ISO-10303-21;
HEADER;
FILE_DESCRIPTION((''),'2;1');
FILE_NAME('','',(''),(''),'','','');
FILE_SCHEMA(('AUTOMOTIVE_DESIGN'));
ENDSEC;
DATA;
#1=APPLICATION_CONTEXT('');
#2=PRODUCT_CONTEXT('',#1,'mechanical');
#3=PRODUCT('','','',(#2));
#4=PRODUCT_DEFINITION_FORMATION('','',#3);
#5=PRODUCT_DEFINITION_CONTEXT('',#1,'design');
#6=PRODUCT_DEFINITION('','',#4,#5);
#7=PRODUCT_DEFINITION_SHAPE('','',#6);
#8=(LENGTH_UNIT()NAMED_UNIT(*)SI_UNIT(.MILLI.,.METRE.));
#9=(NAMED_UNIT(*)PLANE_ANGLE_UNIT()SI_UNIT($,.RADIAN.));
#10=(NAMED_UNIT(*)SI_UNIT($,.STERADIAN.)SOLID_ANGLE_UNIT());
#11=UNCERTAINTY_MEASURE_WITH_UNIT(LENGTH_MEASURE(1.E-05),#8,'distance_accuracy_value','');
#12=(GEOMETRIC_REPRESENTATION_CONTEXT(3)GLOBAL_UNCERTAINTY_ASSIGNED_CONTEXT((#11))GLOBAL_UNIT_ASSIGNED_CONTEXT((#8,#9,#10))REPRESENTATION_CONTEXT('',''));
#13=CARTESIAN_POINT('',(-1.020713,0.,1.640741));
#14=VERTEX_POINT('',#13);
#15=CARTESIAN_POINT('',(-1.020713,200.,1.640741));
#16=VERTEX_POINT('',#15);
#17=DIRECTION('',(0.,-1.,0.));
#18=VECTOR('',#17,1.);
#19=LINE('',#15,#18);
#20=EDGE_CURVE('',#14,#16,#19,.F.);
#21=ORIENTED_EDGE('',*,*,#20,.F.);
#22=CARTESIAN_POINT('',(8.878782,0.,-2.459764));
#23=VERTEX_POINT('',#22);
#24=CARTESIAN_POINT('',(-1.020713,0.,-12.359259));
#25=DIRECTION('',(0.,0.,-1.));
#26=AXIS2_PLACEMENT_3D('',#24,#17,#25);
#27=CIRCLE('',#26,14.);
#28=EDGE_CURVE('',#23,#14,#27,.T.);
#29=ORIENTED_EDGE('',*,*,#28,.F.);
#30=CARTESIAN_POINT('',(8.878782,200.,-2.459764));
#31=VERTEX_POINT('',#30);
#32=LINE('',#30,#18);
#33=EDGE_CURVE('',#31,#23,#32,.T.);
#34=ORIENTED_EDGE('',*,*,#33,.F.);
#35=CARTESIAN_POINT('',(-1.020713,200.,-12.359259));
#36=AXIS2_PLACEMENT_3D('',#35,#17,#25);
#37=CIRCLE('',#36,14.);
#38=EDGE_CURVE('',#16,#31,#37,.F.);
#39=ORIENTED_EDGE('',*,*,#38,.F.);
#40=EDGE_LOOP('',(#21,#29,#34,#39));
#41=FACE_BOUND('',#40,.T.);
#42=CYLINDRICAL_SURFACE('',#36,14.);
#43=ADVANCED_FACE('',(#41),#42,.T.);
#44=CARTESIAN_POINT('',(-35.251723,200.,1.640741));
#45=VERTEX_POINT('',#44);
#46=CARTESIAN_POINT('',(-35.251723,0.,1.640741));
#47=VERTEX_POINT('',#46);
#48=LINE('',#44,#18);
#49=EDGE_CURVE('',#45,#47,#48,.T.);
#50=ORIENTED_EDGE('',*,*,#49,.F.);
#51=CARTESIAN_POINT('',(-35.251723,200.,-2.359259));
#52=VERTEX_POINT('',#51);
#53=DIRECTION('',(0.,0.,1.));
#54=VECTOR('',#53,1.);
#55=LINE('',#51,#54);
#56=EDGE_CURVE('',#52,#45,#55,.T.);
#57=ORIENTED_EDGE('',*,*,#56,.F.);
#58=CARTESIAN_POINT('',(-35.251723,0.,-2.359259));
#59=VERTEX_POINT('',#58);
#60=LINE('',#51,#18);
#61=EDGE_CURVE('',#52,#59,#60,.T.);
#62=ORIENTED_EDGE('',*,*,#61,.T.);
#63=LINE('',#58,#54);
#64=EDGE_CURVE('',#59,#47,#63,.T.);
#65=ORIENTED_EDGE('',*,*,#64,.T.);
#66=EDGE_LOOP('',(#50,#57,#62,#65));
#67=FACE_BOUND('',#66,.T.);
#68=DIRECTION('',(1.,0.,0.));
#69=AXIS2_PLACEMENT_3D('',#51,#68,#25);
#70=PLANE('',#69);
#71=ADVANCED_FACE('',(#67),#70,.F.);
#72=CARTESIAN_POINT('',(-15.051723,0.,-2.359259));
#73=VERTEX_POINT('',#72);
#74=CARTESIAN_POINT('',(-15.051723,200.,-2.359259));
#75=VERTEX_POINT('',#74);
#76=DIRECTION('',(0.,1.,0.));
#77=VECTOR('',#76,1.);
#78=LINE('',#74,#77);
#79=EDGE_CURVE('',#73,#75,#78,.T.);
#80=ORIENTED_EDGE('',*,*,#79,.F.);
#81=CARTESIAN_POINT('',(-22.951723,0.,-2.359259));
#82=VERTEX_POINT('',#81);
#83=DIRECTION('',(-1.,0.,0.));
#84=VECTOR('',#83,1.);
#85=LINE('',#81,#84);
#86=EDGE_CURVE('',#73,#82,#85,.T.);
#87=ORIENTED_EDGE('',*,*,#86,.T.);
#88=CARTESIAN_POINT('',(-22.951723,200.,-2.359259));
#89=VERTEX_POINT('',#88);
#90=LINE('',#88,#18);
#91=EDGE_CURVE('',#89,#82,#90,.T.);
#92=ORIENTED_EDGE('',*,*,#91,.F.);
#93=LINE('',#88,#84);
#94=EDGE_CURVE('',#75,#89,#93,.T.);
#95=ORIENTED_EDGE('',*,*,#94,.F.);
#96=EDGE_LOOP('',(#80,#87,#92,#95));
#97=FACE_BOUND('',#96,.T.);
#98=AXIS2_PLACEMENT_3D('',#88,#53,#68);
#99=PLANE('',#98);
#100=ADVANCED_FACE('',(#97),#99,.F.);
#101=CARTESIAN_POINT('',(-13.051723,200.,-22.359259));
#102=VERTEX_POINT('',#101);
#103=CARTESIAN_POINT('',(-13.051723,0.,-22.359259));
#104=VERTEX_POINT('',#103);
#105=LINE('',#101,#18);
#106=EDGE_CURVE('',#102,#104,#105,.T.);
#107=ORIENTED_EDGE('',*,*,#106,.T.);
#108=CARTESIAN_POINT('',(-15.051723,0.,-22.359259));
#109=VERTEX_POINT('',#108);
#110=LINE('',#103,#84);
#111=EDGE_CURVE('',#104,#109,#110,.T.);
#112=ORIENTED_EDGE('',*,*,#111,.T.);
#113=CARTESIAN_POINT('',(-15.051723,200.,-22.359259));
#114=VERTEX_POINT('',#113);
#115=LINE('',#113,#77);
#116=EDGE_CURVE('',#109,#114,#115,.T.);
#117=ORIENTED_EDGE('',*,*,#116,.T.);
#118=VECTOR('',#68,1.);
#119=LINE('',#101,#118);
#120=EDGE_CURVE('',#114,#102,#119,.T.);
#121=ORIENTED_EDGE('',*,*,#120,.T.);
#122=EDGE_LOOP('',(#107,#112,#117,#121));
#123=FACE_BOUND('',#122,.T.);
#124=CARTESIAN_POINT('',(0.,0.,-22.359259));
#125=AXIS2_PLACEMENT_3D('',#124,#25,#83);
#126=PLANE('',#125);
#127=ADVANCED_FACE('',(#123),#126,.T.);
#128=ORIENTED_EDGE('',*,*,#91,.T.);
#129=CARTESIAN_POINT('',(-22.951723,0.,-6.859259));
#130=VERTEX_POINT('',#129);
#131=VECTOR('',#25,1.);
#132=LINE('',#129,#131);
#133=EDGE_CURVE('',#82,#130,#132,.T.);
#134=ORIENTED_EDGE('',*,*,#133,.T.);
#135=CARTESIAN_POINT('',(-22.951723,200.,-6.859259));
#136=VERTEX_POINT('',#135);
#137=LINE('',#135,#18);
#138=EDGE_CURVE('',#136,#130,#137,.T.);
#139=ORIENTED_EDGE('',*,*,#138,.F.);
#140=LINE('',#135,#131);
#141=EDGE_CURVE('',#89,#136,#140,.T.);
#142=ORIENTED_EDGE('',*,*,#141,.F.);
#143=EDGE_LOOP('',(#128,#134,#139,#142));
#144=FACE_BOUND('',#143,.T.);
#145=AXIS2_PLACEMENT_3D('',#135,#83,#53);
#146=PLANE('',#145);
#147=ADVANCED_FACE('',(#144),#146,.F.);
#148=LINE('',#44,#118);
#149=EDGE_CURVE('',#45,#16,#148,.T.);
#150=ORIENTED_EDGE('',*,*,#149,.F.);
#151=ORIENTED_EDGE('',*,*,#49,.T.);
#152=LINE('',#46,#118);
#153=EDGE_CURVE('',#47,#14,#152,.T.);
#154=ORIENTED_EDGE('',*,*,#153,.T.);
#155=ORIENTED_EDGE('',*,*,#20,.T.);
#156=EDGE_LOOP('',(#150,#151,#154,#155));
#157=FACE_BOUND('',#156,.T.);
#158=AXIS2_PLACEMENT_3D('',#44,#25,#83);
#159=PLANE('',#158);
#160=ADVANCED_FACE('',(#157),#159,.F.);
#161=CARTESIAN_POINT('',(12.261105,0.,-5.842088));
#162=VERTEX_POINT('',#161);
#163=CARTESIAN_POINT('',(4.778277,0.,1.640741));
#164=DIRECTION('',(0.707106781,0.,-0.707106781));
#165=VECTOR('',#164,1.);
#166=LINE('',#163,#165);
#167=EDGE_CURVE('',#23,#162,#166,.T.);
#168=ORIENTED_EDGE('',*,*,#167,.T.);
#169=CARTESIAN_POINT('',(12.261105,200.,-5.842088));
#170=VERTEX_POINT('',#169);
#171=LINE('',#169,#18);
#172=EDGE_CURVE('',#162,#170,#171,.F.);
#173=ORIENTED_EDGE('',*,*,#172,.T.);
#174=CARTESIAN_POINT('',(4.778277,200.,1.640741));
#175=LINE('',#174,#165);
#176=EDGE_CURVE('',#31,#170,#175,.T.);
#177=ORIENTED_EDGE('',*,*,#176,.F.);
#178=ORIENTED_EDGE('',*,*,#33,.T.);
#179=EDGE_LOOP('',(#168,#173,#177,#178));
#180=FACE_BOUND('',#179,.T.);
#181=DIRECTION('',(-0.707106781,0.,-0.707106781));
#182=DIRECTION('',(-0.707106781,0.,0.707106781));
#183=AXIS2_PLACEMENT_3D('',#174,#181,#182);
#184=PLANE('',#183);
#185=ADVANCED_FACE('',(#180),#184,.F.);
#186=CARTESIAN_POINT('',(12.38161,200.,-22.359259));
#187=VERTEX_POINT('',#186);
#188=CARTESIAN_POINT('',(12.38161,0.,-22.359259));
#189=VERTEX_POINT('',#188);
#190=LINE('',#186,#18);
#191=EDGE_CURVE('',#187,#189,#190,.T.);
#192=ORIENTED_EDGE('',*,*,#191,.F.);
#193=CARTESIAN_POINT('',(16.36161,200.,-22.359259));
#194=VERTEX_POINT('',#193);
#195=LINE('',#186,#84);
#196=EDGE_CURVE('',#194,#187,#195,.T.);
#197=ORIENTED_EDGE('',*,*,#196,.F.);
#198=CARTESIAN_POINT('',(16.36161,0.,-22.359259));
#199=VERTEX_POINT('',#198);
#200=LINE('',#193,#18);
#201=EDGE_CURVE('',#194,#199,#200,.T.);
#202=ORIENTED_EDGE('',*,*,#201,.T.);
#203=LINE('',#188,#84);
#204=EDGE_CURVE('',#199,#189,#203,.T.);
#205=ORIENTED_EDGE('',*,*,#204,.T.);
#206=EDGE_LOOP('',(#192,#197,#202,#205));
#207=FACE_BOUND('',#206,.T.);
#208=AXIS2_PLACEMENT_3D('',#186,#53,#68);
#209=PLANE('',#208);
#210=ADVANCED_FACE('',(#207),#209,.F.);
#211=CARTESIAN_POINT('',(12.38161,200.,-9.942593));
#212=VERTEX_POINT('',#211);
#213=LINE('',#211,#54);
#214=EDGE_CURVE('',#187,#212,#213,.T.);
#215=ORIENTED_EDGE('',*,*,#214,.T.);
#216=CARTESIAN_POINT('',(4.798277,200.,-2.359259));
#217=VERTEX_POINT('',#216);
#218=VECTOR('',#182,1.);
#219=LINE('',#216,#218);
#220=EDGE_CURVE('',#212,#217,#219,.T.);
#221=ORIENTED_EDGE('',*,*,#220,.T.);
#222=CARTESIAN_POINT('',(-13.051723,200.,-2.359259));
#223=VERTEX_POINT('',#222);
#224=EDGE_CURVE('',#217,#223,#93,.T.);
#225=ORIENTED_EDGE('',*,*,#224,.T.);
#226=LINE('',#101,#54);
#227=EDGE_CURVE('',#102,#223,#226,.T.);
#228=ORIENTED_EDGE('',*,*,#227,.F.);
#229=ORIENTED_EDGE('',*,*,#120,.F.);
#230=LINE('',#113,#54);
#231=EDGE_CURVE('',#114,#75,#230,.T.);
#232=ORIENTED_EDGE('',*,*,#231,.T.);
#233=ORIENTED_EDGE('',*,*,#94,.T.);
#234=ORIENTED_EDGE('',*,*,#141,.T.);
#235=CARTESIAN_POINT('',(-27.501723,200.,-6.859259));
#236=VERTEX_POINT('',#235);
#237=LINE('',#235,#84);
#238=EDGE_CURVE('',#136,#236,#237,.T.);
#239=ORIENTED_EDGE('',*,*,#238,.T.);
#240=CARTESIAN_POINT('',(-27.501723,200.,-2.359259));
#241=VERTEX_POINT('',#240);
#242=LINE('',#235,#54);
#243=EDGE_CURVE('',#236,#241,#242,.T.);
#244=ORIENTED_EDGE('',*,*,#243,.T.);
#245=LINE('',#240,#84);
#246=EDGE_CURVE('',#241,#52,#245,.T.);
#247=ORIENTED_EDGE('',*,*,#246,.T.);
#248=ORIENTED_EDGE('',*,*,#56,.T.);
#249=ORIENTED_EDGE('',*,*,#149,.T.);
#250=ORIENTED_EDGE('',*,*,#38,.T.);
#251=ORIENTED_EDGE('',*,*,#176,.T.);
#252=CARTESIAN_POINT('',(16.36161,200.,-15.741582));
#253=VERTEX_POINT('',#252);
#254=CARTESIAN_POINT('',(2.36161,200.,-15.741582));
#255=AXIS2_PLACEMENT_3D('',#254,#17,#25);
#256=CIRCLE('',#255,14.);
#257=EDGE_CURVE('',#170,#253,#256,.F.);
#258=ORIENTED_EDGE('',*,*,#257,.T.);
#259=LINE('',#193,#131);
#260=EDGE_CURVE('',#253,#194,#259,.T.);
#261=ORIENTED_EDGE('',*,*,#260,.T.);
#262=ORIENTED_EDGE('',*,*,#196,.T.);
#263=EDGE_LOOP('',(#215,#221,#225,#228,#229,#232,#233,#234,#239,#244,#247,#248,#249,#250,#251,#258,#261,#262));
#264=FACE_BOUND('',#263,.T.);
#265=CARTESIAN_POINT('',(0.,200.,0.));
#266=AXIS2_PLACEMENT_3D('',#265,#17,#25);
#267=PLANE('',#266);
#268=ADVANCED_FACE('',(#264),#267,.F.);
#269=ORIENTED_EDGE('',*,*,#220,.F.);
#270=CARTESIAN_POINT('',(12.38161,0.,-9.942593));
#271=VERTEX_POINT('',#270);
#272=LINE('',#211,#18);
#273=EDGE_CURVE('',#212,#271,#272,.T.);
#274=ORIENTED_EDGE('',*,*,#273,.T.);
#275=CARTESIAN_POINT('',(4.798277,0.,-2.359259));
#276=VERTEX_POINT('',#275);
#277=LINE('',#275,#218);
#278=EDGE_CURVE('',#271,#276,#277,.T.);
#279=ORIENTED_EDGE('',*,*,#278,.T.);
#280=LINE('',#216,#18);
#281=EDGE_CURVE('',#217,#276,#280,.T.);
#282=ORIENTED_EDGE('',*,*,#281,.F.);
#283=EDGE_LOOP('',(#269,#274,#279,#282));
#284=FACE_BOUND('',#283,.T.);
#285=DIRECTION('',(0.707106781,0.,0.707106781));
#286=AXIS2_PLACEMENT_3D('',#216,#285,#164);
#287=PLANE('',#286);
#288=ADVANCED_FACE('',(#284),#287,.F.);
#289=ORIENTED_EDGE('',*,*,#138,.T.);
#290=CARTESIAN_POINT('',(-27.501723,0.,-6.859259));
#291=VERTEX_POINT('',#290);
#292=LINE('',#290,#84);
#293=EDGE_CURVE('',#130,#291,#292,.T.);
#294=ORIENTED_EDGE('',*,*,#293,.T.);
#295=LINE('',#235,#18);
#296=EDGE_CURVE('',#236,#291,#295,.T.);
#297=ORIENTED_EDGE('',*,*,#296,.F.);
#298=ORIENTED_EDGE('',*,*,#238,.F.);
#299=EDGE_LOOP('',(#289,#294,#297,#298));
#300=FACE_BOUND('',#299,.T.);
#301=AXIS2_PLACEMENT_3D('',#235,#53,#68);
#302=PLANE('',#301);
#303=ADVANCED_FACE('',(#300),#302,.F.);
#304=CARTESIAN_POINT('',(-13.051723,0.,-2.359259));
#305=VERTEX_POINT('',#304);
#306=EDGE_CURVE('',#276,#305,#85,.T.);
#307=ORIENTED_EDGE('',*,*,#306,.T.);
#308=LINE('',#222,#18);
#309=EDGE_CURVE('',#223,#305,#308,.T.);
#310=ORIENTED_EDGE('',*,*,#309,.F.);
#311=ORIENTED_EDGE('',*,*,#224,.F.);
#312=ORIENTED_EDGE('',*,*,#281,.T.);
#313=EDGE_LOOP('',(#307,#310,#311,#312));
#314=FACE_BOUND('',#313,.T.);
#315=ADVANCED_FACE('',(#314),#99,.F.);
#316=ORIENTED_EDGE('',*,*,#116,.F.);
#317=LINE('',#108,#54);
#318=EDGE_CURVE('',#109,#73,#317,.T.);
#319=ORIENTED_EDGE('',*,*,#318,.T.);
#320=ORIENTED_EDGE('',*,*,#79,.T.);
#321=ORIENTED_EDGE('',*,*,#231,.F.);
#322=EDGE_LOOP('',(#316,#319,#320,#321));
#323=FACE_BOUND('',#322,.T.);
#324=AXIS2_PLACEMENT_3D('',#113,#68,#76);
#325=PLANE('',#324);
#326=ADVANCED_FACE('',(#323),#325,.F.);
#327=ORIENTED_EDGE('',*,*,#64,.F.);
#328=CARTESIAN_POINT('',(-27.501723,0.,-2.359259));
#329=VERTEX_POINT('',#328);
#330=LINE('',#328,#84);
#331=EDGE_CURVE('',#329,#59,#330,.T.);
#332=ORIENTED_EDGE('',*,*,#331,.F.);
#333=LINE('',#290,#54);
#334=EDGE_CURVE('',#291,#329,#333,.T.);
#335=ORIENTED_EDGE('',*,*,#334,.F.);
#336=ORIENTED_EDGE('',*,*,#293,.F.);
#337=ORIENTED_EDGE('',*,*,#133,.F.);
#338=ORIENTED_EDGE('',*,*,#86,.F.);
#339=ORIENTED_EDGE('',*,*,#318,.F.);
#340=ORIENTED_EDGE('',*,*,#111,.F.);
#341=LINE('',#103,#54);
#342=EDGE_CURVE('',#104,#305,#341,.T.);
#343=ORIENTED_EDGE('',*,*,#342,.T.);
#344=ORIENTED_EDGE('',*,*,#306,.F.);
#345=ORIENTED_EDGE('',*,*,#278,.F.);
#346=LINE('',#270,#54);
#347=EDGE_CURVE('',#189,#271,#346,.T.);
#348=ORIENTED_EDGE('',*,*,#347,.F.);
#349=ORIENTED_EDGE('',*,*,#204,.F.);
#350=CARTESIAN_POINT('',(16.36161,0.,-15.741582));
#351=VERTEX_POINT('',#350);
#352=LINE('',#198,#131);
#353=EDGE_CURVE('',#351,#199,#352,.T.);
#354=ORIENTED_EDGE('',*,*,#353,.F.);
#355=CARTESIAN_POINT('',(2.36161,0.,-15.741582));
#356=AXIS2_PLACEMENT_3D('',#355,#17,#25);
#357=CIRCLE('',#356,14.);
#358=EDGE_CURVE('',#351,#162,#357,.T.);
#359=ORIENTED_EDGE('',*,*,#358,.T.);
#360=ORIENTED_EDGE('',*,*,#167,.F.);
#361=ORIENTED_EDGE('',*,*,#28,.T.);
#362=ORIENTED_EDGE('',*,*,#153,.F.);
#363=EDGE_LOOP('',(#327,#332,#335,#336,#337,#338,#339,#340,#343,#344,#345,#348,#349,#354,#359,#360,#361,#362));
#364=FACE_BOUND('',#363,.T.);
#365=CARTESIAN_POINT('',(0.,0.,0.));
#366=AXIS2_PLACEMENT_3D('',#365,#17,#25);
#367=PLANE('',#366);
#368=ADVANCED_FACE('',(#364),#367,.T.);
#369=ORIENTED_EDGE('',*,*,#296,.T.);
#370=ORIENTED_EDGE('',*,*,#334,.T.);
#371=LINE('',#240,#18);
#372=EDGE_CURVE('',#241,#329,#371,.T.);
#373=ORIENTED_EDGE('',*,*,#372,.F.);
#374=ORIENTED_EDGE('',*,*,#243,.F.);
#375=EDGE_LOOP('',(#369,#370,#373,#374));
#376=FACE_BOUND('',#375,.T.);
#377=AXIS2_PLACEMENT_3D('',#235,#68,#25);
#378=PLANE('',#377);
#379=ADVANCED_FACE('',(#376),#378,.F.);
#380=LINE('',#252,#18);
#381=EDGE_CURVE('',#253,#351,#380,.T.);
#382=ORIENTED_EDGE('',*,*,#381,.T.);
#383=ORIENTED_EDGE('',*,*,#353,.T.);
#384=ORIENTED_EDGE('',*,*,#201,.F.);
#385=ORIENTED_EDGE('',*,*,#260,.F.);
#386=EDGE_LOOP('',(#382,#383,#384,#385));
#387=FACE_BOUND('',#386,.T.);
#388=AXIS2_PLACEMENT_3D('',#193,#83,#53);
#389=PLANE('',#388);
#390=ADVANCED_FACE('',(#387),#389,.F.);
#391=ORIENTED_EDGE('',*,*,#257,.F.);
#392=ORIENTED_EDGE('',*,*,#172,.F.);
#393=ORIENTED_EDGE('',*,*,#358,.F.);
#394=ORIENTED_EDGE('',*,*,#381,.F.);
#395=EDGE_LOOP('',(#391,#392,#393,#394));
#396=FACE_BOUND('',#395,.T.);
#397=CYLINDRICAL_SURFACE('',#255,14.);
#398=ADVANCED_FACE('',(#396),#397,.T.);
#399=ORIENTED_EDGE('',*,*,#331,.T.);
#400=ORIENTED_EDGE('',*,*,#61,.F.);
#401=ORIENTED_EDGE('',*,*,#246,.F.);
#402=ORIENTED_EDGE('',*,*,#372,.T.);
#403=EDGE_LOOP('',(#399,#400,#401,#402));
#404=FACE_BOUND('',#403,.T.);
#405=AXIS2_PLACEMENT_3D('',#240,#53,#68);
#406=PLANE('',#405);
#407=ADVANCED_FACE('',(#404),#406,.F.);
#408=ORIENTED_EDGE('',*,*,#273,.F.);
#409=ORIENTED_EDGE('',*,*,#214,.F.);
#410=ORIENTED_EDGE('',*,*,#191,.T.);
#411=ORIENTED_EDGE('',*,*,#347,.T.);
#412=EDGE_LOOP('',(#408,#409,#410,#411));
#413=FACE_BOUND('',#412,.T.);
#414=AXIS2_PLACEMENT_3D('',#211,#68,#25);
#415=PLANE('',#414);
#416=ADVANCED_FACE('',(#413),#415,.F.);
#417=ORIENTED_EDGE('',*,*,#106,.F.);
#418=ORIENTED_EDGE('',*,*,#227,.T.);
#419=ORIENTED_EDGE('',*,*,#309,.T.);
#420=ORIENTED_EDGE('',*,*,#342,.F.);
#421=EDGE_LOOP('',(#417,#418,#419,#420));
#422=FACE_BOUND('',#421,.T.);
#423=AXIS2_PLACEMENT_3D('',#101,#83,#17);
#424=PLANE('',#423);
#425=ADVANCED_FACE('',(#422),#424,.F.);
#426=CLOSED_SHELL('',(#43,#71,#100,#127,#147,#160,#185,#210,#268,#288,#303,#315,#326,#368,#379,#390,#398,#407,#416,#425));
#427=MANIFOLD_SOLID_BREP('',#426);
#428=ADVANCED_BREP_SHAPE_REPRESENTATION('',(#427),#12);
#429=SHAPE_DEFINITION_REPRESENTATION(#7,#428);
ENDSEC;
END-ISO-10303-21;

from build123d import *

# Parameters (mm, degrees)
EXTRUDE_1_DEPTH = 200
FILLET_1_R      = 14
SKETCH_2_W      = 2
SKETCH_2_H      = 200
EXTRUDE_2_DEPTH = 20


with BuildPart() as part:
    # 草圖1 → 填料-伸長1 (new body)
    with BuildSketch(Plane(origin=(0, 0, 0), x_dir=(1, 0, 0), z_dir=(0, 1, 0))):
        Polygon((-27.501723192, 6.859259259), (-22.951723192, 6.859259259), (-22.951723192, 2.359259259), (4.798276808, 2.359259259), (12.381610141, 9.942592593), (12.381610141, 22.359259259), (16.361610141, 22.359259259), (16.361610141, 9.942592593), (4.778276808, -1.640740741), (-35.251723192, -1.640740741), (-35.251723192, 2.359259259), (-27.501723192, 2.359259259), align=None)
    extrude(amount=EXTRUDE_1_DEPTH)

    # 圓角1
    fillet_1_edges = [part.edges().sort_by_distance(p)[0] for p in [
        (16.361610141, 100, -9.942592593),
        (4.778276808, 100, 1.640740741),
    ]]
    fillet(fillet_1_edges, radius=FILLET_1_R)

    # 草圖2 → 填料-伸長2 (add)
    with BuildSketch(Plane(origin=(0, 0, -2.359259259), x_dir=(-1, 0, 0), z_dir=(0, 0, -1))):
        with Locations((14.051723192, 100)):
            Rectangle(SKETCH_2_W, SKETCH_2_H)
    extrude(amount=EXTRUDE_2_DEPTH)


solid = part.part
